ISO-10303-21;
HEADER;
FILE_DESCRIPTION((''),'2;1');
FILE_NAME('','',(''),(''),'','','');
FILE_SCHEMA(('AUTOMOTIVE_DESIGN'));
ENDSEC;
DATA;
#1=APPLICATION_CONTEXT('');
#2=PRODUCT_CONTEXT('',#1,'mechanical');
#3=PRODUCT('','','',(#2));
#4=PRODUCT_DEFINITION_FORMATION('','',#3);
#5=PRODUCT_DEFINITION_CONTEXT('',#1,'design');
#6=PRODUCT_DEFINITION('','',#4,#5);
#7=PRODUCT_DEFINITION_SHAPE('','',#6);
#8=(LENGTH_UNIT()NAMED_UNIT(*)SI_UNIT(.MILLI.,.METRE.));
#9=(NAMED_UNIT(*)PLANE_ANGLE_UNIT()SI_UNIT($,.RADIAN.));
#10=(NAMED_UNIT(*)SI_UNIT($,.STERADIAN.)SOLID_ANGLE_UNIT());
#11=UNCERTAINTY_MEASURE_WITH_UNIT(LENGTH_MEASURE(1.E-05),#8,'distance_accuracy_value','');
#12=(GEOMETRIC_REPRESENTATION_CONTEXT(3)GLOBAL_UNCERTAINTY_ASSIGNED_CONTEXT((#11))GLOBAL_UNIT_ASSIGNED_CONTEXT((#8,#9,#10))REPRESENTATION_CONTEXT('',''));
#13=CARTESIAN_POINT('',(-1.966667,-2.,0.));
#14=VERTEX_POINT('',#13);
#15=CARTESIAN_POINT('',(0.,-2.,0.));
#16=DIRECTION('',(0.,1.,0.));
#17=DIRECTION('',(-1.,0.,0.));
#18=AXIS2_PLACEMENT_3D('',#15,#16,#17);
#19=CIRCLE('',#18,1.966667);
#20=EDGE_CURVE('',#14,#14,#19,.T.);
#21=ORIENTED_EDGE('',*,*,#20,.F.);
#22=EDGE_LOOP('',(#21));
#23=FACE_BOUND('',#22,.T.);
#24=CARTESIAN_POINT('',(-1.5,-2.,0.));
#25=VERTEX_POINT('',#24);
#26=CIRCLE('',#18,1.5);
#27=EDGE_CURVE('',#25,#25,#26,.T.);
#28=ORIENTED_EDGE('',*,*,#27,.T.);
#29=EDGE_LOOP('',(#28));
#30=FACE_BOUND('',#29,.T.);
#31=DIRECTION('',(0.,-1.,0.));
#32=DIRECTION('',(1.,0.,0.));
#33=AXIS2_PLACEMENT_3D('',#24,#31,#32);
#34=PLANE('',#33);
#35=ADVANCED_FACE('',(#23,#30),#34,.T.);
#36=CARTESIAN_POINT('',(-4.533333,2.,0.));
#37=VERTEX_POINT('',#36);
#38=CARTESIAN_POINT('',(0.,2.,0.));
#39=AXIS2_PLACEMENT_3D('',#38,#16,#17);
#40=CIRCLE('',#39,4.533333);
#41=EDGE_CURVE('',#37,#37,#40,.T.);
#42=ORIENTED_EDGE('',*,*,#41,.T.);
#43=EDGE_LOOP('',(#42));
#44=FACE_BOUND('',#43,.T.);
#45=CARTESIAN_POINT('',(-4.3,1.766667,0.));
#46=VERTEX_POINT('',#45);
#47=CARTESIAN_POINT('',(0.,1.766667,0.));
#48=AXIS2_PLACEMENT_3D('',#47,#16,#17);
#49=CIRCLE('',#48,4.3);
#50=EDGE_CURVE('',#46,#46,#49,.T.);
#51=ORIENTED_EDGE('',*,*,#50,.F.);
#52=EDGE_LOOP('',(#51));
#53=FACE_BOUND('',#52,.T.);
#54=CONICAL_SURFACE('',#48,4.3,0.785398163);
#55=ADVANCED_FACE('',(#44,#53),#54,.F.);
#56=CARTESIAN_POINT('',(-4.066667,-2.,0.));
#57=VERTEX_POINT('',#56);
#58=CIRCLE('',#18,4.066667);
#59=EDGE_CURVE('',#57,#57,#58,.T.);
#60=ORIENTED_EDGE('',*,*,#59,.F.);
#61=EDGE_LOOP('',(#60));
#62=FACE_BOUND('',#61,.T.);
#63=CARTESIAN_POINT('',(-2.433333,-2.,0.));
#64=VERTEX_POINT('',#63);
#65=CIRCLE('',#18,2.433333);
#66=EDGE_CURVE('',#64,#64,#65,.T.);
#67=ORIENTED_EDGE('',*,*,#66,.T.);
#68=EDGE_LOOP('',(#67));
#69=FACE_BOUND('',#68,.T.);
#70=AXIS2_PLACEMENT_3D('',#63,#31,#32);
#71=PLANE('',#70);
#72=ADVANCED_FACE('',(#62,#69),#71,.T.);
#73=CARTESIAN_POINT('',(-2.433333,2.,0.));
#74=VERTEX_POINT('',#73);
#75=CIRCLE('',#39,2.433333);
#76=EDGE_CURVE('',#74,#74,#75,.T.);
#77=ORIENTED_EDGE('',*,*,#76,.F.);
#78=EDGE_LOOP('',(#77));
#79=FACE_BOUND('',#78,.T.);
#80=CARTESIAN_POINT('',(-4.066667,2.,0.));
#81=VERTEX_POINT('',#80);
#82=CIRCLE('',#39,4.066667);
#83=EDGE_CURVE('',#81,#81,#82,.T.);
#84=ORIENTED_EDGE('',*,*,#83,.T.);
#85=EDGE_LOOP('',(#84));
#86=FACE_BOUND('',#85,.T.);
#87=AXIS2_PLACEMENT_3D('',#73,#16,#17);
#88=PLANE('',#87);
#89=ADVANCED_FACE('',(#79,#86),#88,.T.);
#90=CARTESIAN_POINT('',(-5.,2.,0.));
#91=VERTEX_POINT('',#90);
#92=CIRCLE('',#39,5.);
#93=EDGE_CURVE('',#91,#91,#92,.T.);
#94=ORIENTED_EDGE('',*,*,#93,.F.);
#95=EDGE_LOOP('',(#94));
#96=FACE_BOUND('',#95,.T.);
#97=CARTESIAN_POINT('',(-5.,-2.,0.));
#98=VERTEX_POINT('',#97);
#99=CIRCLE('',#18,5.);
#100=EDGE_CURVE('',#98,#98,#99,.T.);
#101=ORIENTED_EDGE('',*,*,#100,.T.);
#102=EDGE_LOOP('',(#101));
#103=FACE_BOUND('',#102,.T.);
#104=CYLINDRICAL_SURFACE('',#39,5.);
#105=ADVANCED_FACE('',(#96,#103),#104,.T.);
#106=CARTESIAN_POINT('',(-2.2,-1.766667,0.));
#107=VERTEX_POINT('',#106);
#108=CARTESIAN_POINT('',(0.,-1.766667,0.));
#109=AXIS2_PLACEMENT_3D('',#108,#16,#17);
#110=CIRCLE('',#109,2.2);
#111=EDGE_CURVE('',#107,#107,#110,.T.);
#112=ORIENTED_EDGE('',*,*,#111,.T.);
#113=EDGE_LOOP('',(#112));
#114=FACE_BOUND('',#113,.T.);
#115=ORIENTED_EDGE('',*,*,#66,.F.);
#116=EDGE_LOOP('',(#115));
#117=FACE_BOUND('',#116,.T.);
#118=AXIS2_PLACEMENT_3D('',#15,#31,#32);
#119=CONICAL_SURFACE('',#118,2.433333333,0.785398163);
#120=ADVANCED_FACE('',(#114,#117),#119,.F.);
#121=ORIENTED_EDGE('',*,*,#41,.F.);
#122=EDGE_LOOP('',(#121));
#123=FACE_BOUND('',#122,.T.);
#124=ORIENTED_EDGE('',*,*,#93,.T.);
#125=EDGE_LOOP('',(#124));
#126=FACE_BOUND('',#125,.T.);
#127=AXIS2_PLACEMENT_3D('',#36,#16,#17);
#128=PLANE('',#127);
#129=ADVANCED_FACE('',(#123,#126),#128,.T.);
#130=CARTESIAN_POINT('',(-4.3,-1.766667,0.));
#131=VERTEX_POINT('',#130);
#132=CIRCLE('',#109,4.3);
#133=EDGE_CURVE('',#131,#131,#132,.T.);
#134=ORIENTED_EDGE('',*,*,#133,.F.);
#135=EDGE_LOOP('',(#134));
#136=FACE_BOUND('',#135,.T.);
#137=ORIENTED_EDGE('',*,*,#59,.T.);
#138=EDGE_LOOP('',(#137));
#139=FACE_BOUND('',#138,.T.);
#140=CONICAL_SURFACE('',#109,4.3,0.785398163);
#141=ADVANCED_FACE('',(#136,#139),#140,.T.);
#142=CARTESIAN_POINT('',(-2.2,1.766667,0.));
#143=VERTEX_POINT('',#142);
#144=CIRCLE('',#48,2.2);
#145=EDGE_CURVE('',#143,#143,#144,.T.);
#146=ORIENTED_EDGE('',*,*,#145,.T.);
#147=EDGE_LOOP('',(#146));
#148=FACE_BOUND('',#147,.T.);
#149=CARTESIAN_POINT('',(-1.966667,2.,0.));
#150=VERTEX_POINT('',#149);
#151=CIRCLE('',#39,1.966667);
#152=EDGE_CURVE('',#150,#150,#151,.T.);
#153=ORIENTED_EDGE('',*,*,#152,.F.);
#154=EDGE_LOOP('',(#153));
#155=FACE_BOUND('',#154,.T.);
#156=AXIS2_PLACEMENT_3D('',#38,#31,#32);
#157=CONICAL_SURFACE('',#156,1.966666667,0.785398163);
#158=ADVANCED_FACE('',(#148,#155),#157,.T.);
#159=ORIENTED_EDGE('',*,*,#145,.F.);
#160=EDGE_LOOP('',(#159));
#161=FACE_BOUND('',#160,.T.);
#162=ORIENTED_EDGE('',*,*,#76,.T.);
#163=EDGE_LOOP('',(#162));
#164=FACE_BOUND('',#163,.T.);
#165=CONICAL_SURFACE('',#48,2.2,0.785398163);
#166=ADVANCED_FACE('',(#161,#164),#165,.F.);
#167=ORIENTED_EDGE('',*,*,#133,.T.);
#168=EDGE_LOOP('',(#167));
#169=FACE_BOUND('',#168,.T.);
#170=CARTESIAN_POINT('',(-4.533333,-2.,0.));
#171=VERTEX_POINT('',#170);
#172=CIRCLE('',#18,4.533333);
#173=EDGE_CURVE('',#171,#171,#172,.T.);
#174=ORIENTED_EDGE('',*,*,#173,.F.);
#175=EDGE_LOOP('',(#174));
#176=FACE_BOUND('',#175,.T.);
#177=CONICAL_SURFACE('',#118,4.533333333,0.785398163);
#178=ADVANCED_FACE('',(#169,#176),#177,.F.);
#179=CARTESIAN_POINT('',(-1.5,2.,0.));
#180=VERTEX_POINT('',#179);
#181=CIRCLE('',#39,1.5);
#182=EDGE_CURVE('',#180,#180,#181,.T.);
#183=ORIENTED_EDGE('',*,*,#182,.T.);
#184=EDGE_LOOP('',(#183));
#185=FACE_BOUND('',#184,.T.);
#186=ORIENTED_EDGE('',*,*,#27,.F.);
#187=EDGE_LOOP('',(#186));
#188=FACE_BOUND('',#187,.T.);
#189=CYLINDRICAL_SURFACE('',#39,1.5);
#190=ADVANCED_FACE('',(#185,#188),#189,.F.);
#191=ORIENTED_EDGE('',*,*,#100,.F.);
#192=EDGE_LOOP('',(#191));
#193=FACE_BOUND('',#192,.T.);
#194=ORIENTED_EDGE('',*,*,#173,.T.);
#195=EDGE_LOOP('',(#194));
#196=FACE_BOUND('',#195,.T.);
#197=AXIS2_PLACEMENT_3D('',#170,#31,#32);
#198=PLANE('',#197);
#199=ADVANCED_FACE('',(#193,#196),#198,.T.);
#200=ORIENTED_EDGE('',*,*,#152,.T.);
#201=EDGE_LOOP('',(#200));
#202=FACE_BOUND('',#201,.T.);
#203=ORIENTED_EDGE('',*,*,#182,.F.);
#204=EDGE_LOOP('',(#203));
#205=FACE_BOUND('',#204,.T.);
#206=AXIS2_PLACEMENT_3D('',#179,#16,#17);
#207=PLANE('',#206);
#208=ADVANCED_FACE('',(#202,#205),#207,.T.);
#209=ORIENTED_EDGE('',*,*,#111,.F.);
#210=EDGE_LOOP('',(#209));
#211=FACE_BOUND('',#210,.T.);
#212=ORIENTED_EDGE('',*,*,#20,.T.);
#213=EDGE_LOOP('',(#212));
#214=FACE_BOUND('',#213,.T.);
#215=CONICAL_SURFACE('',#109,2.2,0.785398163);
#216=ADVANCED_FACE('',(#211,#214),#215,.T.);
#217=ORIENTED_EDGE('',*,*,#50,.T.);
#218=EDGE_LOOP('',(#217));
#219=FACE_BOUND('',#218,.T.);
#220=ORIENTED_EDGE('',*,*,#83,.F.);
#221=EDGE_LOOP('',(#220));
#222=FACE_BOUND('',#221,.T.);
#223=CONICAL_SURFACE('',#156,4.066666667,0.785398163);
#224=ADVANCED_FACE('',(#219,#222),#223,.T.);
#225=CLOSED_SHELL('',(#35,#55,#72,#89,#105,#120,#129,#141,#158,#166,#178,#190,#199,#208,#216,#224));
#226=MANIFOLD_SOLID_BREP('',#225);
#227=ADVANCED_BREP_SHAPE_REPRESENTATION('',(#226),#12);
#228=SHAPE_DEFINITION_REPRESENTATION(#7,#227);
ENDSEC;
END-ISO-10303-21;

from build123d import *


with BuildPart() as part:
    # Sketch1 → Revolve1 (revolve)
    with BuildSketch(Plane.XY):
        Polygon((-1.5, 2), (-1.966666667, 2), (-2.2, 1.766666667), (-2.433333333, 2), (-4.066666667, 2), (-4.3, 1.766666667), (-4.533333333, 2), (-5, 2), (-5, -2), (-4.533333333, -2), (-4.3, -1.766666667), (-4.066666667, -2), (-2.433333333, -2), (-2.2, -1.766666667), (-1.966666667, -2), (-1.5, -2), align=None)
    revolve(axis=Axis((0, 2, 0), (0, -1, 0)))


solid = part.part
